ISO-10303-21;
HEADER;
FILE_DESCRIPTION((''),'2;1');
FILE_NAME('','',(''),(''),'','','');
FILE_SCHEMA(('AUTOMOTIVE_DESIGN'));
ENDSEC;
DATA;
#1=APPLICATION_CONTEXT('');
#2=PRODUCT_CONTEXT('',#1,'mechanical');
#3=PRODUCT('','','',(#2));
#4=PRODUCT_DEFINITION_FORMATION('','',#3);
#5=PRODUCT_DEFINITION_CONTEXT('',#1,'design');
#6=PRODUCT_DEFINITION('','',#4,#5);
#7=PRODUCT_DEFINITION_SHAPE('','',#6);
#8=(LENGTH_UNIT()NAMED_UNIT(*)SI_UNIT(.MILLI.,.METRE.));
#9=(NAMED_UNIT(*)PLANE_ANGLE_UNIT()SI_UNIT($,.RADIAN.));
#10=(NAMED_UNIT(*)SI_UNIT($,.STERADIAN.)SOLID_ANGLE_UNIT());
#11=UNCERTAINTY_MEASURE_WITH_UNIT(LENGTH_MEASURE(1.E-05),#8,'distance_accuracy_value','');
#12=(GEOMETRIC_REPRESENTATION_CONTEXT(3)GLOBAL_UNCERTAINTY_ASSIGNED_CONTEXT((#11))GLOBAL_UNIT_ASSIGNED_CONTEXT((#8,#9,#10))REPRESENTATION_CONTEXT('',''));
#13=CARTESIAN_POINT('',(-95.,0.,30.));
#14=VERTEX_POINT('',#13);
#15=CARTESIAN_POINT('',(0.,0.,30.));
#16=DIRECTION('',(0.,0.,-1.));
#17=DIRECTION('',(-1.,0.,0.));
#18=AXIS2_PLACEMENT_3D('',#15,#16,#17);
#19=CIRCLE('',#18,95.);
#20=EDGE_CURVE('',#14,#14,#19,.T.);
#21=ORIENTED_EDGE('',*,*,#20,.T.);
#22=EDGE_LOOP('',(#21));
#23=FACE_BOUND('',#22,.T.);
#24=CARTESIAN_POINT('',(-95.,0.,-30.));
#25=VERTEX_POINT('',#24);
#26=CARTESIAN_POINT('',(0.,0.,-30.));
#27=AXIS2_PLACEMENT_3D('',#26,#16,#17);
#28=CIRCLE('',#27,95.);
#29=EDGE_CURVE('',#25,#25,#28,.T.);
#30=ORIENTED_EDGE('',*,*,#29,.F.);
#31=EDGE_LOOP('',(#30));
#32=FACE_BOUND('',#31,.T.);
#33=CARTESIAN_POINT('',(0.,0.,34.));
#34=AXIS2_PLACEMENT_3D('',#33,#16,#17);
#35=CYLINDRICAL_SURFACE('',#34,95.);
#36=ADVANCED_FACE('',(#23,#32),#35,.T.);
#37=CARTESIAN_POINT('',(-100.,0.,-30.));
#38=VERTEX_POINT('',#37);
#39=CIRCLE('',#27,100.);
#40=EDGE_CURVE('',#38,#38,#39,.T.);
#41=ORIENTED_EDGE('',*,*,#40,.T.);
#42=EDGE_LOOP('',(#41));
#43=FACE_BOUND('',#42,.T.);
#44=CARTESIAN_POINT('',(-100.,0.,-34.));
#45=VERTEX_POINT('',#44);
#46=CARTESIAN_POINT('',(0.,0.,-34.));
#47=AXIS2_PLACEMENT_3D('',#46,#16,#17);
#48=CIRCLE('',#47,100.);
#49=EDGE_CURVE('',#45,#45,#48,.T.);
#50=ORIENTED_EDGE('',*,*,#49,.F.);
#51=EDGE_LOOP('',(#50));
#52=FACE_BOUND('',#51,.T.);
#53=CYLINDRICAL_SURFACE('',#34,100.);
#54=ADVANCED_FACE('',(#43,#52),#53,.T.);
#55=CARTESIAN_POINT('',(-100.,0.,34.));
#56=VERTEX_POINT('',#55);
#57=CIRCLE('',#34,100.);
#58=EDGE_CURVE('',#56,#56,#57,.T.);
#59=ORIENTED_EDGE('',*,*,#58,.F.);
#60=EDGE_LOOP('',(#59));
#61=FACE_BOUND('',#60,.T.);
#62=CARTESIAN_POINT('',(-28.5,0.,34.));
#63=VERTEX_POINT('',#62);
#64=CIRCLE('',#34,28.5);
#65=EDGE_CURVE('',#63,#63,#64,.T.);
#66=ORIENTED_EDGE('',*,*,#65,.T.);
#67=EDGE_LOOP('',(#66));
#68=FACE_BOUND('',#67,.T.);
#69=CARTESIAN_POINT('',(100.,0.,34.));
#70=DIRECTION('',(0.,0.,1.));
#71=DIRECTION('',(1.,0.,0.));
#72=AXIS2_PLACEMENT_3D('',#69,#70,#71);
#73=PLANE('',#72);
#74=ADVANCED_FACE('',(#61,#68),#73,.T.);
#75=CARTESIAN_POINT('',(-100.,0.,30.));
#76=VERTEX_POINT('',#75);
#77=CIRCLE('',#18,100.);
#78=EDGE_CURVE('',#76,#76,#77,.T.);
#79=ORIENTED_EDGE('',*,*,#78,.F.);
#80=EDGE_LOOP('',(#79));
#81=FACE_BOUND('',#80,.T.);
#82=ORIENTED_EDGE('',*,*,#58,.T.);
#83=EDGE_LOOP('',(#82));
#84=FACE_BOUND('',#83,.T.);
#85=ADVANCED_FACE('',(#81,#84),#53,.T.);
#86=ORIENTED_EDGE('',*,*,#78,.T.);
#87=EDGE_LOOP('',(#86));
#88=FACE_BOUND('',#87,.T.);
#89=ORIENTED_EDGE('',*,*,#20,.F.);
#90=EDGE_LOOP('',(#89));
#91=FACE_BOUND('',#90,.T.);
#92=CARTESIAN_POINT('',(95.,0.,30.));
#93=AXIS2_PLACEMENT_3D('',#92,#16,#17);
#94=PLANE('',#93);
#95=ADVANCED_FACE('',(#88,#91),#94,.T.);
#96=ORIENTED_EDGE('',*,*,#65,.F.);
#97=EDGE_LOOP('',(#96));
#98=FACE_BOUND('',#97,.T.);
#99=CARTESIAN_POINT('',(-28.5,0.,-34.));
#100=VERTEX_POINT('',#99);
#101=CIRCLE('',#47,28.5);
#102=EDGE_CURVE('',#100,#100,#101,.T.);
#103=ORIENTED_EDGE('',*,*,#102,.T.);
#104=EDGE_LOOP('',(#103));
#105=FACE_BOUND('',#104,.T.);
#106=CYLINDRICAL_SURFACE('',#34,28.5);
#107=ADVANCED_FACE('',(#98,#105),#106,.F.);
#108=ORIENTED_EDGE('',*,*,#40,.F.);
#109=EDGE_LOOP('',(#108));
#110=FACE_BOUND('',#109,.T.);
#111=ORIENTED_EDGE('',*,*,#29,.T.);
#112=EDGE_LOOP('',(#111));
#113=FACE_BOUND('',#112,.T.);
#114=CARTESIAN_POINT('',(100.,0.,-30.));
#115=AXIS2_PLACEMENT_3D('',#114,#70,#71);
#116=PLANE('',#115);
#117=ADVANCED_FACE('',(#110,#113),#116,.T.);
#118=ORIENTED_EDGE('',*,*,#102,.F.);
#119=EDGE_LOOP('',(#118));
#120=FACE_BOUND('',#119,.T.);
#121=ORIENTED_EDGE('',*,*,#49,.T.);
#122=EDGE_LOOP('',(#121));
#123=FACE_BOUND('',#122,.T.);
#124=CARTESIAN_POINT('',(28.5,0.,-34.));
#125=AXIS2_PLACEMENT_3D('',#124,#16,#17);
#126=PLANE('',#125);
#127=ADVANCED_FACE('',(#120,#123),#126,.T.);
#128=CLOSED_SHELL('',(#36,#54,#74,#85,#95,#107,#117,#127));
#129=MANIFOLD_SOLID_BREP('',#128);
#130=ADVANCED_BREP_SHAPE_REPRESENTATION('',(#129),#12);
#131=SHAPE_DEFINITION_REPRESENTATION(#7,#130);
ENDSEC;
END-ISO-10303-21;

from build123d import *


with BuildPart() as part:
    # Sketch1 → Revolve1 (revolve)
    with BuildSketch(Plane.XZ):
        Polygon((28.5, 34), (28.5, -34), (100, -34), (100, -30), (95, -30), (95, 30), (100, 30), (100, 34), align=None)
    revolve(axis=Axis((0, 0, 34), (0, 0, -1)))


solid = part.part
